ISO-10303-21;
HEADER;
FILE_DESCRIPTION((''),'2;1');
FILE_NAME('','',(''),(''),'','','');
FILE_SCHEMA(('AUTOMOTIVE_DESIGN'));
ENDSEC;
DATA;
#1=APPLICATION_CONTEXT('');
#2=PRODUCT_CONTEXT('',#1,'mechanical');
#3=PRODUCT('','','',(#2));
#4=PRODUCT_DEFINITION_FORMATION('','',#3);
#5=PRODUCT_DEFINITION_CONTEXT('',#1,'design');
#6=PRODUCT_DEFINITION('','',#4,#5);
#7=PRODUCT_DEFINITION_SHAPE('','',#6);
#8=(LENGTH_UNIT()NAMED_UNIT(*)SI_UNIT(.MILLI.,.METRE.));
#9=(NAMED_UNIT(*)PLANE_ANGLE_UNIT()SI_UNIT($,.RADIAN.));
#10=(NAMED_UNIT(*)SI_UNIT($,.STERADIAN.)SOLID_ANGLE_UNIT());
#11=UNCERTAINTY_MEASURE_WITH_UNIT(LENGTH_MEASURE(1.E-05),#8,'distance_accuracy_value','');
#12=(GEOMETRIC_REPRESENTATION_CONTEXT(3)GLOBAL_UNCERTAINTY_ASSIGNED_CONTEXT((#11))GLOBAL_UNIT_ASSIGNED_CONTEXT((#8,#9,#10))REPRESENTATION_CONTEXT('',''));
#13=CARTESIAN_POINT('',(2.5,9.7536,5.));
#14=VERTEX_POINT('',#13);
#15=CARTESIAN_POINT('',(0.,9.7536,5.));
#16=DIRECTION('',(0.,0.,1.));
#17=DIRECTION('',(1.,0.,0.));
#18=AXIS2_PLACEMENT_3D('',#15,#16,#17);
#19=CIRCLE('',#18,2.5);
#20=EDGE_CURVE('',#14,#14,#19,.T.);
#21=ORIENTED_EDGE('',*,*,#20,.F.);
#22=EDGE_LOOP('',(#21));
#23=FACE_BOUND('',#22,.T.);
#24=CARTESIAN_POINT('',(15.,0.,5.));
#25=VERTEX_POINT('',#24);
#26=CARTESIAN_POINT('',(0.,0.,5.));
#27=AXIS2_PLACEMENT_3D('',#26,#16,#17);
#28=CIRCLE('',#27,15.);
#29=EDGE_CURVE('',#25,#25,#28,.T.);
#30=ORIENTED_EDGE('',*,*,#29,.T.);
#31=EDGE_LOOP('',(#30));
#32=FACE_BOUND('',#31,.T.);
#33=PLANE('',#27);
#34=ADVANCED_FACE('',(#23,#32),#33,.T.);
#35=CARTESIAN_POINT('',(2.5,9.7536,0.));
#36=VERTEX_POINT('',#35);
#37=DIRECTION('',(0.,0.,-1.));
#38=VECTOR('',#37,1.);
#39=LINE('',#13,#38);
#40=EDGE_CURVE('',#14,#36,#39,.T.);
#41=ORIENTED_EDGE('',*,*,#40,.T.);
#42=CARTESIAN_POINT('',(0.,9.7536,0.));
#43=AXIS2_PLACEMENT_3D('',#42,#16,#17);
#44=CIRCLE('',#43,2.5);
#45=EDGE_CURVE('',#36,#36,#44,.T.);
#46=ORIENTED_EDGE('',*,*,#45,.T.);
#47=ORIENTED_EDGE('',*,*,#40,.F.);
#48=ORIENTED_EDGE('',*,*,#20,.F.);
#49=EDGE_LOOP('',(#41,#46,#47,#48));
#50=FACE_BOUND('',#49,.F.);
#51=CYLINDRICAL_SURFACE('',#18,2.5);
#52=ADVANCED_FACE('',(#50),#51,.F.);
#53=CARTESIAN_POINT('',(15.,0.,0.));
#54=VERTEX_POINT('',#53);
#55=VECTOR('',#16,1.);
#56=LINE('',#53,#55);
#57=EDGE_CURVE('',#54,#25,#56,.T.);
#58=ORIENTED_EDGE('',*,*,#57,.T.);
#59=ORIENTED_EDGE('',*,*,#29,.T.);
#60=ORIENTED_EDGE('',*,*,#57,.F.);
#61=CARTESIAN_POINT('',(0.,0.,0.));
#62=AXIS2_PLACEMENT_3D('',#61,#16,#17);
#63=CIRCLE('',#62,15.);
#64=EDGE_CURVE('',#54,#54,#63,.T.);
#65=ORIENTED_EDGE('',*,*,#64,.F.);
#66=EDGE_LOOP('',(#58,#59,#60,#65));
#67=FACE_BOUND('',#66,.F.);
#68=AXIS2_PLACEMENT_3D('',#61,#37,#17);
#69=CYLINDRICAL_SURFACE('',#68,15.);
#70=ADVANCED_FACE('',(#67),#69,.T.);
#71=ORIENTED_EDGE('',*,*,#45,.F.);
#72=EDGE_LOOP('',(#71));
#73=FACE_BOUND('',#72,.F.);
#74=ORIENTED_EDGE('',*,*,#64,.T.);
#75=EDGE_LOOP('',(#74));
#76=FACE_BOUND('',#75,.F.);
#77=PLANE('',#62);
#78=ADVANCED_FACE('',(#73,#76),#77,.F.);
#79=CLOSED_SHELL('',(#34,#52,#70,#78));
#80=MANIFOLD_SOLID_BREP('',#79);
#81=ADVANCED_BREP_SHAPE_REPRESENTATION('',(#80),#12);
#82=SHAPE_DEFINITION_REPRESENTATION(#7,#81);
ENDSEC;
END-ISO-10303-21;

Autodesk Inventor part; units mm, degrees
ref_plane "YZ Plane" through (0, 0, 0) normal (1, 0, 0) x (0, 1, 0)
ref_plane "XZ Plane" through (0, 0, 0) normal (0, 1, 0) x (-1, 0, 0)
ref_plane "XY Plane" through (0, 0, 0) normal (0, 0, 1) x (1, 0, 0)
sketch "Sketch1" plane through (0, 0, 0) normal (0, 0, 1) x (1, 0, 0)
  circle A0 centre (0, 0) radius 15
  dimension "d0" = 30
extrude "Extrusion1" add sketch "Sketch1" along normal blind 5
sketch "Sketch2" plane through (0, 0, 5) normal (0, 0, 1) x (1, 0, 0)
  circle A0 centre (0, 9.7536) radius 2.5
  point P0 (0, 0)
  dimension "d3" = 5
extrude "Extrusion2" cut sketch "Sketch2" against normal blind 10
properties part number "whelass"
